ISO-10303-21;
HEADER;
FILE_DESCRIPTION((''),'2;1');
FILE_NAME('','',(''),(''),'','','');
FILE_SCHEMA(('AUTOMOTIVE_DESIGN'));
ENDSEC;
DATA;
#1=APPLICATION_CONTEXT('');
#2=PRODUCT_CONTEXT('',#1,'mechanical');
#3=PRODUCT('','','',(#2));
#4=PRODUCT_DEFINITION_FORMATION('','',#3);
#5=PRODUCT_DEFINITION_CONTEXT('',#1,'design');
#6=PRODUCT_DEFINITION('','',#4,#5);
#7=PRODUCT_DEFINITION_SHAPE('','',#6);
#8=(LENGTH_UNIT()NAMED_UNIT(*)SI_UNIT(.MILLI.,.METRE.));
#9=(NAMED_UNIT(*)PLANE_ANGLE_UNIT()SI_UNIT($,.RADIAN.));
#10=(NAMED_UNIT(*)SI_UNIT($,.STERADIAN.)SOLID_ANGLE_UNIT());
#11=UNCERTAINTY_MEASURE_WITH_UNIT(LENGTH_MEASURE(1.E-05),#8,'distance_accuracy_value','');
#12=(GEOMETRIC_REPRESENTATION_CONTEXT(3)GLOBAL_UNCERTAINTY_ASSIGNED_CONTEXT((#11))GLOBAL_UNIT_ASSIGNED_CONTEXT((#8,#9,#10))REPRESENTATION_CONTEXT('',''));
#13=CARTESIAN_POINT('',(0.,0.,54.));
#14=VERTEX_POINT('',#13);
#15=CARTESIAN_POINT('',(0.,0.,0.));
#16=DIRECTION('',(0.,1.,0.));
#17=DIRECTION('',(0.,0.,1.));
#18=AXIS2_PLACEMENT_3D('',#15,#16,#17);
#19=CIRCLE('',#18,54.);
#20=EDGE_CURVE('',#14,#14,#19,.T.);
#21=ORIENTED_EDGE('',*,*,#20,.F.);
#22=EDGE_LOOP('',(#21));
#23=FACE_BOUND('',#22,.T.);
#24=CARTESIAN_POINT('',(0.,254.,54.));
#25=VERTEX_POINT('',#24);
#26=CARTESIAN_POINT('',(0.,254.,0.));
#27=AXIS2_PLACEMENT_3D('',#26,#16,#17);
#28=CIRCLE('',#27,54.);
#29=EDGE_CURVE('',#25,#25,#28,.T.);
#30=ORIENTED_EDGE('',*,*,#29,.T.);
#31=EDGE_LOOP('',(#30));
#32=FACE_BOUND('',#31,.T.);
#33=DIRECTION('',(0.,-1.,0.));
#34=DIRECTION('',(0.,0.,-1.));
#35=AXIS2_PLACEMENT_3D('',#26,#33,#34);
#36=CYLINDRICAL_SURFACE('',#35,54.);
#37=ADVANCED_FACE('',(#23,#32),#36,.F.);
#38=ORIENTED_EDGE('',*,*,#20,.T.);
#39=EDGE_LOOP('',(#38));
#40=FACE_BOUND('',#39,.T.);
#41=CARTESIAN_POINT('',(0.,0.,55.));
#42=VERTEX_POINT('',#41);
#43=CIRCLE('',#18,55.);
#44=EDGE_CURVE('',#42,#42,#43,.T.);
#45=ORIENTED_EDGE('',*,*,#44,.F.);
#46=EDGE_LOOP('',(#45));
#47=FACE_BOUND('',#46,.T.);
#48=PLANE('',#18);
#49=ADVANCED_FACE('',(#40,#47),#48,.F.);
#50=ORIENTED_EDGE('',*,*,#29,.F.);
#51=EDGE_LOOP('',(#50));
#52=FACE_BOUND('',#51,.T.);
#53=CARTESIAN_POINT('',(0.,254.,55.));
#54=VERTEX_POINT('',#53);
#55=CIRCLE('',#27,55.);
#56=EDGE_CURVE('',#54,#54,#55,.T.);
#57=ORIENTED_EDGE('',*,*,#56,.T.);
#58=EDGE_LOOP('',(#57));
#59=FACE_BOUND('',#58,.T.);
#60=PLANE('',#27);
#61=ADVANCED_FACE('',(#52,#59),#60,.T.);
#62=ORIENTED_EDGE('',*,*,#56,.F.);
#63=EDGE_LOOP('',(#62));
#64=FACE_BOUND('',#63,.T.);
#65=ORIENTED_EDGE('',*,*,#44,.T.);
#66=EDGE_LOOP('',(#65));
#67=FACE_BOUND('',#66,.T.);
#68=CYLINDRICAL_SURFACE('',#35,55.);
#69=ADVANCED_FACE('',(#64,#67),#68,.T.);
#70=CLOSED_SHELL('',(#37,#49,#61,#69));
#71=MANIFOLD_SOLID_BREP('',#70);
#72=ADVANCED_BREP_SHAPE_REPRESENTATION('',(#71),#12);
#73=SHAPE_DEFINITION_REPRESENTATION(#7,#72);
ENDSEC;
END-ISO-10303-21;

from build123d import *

# Parameters (mm, degrees)
SKETCH1_R           = 55
SKETCH1_R_2         = 54
BOSS_EXTRUDE1_DEPTH = 254


with BuildPart() as part:
    # Sketch1 → Boss-Extrude1 (new body)
    with BuildSketch(Plane(origin=(0, 0, 0), x_dir=(1, 0, 0), z_dir=(0, 1, 0))):
        Circle(SKETCH1_R)
        Circle(SKETCH1_R_2, mode=Mode.SUBTRACT)
    extrude(amount=BOSS_EXTRUDE1_DEPTH)


solid = part.part
